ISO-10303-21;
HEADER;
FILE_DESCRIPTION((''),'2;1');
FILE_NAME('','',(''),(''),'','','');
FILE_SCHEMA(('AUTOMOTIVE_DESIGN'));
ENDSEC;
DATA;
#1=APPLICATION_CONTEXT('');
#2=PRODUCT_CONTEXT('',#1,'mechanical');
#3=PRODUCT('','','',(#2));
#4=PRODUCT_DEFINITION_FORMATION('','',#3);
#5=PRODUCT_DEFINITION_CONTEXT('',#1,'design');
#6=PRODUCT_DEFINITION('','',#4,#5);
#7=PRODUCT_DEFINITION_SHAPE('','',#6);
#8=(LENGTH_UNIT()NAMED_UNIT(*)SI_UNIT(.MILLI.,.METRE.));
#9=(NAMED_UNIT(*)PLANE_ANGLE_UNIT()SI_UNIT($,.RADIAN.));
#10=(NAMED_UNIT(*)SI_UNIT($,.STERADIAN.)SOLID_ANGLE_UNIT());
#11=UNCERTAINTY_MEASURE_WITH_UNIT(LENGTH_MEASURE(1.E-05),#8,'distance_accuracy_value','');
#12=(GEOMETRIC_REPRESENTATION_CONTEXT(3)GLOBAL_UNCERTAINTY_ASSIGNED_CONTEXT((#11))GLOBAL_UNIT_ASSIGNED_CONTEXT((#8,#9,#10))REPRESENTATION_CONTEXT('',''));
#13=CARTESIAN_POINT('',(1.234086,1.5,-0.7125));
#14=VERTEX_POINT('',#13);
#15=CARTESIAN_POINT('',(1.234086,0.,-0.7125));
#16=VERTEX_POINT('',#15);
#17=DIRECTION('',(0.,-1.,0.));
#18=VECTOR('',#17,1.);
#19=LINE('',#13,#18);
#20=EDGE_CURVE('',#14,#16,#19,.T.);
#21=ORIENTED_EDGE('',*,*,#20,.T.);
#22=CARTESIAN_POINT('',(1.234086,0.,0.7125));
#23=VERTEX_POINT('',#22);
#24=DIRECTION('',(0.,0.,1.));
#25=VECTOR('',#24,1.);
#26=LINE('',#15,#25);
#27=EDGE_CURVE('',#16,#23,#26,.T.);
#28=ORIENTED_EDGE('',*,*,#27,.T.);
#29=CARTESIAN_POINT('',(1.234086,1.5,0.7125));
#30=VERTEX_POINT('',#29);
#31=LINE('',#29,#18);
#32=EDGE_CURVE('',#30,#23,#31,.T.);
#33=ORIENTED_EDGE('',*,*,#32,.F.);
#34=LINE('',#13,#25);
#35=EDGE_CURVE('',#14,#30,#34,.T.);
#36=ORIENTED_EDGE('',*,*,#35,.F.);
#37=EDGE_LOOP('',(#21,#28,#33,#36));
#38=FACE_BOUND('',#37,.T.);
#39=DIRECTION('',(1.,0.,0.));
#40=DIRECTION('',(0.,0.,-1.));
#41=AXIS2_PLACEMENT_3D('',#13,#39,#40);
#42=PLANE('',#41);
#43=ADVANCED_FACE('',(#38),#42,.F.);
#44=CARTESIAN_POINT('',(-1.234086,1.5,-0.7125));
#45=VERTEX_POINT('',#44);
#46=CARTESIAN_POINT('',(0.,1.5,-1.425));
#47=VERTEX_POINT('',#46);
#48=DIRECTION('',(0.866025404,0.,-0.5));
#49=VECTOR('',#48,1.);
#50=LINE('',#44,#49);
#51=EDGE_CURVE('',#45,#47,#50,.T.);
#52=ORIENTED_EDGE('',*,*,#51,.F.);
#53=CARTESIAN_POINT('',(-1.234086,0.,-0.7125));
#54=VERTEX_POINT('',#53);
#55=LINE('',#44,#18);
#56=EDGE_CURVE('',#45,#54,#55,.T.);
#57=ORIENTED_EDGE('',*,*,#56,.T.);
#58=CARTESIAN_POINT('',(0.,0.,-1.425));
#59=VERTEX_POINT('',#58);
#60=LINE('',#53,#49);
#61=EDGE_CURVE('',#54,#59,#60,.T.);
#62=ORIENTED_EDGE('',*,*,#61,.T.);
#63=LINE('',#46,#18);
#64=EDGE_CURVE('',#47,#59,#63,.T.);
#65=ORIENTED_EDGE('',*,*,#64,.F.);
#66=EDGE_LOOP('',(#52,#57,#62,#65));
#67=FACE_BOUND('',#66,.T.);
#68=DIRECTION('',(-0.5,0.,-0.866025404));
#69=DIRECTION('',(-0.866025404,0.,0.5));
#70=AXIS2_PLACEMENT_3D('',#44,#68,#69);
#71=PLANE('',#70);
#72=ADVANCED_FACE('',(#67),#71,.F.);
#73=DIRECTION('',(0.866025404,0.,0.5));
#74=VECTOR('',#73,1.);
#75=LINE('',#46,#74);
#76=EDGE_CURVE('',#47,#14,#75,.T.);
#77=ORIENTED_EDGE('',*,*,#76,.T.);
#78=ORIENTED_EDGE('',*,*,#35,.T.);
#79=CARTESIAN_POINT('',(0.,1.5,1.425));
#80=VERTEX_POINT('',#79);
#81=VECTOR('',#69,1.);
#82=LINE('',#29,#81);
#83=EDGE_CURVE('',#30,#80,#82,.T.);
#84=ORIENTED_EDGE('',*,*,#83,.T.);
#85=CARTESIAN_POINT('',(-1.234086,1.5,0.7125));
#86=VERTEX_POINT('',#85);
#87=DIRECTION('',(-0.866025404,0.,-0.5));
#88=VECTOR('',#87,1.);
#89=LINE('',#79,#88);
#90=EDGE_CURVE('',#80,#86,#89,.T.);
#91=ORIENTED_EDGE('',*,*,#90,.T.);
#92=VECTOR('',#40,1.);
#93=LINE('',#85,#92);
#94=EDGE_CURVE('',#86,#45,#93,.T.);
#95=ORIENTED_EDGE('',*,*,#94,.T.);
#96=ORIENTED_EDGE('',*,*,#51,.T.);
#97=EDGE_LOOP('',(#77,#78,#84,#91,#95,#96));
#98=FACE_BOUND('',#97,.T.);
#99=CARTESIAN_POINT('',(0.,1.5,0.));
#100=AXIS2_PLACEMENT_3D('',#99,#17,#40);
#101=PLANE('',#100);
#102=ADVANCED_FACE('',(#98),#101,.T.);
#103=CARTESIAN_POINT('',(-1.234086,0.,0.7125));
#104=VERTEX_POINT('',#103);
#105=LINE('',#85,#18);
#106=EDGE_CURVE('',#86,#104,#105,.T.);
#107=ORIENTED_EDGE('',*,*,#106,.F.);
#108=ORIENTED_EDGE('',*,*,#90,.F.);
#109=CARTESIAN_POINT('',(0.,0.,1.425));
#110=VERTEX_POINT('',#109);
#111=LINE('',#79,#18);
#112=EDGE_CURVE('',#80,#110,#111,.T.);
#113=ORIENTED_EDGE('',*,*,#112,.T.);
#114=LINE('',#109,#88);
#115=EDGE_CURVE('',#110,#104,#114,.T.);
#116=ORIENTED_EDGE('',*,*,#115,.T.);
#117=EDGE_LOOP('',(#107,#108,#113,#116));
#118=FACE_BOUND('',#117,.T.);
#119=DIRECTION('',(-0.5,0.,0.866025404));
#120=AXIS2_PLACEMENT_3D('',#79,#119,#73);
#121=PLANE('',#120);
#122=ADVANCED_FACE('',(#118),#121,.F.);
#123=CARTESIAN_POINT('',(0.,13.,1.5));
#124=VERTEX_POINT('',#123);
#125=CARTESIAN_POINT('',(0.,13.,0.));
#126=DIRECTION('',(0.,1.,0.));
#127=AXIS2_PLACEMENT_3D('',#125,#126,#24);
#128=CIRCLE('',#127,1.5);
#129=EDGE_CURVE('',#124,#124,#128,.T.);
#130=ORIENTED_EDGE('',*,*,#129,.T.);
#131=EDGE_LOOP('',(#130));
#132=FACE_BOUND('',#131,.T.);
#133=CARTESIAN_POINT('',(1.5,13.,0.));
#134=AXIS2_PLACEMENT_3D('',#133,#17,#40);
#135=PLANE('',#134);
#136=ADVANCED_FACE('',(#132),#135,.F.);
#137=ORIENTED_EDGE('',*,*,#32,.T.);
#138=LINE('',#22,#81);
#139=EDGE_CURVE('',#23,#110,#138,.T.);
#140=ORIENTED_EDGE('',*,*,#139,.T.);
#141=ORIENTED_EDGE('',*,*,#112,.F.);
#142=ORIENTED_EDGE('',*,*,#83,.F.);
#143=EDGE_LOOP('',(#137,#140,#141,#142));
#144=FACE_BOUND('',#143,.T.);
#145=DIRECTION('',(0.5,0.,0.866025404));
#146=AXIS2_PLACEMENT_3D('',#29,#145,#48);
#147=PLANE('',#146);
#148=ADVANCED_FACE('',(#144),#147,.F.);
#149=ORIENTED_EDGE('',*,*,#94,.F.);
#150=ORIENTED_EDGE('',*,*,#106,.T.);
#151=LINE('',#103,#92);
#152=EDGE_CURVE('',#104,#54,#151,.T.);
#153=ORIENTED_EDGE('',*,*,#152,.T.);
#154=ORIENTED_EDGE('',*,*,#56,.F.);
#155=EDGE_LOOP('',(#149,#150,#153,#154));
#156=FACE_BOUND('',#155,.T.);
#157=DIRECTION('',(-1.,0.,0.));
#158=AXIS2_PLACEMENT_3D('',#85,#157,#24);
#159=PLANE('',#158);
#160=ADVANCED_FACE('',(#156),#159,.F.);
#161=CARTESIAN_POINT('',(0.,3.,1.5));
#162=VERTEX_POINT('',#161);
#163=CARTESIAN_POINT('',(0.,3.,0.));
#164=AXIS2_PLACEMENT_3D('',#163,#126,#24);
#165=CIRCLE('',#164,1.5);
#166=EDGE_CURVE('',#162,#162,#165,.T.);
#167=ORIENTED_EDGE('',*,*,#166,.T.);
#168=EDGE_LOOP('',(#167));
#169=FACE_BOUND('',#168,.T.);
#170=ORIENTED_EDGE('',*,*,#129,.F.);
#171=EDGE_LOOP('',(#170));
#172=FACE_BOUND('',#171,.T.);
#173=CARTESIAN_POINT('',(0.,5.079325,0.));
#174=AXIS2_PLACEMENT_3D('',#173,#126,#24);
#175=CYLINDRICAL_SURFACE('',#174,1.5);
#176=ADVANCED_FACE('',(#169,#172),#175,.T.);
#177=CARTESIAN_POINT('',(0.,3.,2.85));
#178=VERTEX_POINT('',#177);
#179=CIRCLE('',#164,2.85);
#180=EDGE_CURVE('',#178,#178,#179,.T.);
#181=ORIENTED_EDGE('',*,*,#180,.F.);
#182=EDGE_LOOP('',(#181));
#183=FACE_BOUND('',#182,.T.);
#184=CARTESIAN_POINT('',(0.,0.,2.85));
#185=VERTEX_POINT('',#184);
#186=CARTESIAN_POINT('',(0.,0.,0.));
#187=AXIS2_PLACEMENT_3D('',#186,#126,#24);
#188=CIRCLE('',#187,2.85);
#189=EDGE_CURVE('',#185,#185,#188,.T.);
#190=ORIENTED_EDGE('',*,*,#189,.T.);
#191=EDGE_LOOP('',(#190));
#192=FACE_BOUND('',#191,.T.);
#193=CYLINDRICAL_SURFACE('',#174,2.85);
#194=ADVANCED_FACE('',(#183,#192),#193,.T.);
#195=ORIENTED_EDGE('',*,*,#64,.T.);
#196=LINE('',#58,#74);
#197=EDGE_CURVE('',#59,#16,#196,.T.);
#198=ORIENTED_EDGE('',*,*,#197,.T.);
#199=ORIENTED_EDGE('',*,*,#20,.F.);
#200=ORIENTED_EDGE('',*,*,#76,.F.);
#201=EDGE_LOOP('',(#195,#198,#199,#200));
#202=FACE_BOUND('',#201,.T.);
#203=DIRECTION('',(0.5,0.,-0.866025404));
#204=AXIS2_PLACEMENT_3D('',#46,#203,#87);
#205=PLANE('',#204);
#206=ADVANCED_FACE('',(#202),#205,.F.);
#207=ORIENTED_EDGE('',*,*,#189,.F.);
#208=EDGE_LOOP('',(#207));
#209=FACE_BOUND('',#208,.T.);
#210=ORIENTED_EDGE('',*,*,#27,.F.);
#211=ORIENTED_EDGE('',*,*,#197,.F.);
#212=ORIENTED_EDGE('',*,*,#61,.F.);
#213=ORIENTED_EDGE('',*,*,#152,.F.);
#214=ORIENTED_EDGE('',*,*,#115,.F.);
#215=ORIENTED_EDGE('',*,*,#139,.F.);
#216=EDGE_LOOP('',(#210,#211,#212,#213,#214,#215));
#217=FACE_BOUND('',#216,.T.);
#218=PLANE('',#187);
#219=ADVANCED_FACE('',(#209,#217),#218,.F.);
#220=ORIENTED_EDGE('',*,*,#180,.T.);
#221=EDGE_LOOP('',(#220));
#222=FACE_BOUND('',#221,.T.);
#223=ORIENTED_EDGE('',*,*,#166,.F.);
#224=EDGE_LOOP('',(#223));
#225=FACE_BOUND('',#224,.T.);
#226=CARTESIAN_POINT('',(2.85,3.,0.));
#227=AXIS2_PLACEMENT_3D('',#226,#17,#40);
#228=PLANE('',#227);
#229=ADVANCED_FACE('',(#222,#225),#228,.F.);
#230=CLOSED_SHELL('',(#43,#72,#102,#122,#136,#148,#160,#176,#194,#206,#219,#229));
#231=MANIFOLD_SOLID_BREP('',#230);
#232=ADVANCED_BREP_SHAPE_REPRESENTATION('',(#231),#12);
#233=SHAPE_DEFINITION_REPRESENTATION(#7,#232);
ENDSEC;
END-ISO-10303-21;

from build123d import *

# Parameters (mm, degrees)
CUT_EXTRUDE_1_DEPTH = 1.5


with BuildPart() as part:
    # 草图1 → 旋转1 (revolve)
    with BuildSketch(Plane.XY, mode=Mode.PRIVATE) as revolve_1_sk:
        Polygon((0, 0), (2.85, 0), (2.85, 3), (1.5, 3), (1.5, 13), (0, 13), align=None)
    revolve(revolve_1_sk.sketch.rotate(Axis((0, 5.079324982, 0), (0, -1, 0)), 90), axis=Axis((0, 5.079324982, 0), (0, -1, 0)))

    # 草图2 → 切除-拉伸1 (cut)
    with BuildSketch(Plane.XZ):
        Polygon((0, -1.425), (1.2340862, -0.7125), (1.2340862, 0.7125), (0, 1.425), (-1.2340862, 0.7125), (-1.2340862, -0.7125), align=None)
    extrude(amount=-CUT_EXTRUDE_1_DEPTH, mode=Mode.SUBTRACT)


solid = part.part
